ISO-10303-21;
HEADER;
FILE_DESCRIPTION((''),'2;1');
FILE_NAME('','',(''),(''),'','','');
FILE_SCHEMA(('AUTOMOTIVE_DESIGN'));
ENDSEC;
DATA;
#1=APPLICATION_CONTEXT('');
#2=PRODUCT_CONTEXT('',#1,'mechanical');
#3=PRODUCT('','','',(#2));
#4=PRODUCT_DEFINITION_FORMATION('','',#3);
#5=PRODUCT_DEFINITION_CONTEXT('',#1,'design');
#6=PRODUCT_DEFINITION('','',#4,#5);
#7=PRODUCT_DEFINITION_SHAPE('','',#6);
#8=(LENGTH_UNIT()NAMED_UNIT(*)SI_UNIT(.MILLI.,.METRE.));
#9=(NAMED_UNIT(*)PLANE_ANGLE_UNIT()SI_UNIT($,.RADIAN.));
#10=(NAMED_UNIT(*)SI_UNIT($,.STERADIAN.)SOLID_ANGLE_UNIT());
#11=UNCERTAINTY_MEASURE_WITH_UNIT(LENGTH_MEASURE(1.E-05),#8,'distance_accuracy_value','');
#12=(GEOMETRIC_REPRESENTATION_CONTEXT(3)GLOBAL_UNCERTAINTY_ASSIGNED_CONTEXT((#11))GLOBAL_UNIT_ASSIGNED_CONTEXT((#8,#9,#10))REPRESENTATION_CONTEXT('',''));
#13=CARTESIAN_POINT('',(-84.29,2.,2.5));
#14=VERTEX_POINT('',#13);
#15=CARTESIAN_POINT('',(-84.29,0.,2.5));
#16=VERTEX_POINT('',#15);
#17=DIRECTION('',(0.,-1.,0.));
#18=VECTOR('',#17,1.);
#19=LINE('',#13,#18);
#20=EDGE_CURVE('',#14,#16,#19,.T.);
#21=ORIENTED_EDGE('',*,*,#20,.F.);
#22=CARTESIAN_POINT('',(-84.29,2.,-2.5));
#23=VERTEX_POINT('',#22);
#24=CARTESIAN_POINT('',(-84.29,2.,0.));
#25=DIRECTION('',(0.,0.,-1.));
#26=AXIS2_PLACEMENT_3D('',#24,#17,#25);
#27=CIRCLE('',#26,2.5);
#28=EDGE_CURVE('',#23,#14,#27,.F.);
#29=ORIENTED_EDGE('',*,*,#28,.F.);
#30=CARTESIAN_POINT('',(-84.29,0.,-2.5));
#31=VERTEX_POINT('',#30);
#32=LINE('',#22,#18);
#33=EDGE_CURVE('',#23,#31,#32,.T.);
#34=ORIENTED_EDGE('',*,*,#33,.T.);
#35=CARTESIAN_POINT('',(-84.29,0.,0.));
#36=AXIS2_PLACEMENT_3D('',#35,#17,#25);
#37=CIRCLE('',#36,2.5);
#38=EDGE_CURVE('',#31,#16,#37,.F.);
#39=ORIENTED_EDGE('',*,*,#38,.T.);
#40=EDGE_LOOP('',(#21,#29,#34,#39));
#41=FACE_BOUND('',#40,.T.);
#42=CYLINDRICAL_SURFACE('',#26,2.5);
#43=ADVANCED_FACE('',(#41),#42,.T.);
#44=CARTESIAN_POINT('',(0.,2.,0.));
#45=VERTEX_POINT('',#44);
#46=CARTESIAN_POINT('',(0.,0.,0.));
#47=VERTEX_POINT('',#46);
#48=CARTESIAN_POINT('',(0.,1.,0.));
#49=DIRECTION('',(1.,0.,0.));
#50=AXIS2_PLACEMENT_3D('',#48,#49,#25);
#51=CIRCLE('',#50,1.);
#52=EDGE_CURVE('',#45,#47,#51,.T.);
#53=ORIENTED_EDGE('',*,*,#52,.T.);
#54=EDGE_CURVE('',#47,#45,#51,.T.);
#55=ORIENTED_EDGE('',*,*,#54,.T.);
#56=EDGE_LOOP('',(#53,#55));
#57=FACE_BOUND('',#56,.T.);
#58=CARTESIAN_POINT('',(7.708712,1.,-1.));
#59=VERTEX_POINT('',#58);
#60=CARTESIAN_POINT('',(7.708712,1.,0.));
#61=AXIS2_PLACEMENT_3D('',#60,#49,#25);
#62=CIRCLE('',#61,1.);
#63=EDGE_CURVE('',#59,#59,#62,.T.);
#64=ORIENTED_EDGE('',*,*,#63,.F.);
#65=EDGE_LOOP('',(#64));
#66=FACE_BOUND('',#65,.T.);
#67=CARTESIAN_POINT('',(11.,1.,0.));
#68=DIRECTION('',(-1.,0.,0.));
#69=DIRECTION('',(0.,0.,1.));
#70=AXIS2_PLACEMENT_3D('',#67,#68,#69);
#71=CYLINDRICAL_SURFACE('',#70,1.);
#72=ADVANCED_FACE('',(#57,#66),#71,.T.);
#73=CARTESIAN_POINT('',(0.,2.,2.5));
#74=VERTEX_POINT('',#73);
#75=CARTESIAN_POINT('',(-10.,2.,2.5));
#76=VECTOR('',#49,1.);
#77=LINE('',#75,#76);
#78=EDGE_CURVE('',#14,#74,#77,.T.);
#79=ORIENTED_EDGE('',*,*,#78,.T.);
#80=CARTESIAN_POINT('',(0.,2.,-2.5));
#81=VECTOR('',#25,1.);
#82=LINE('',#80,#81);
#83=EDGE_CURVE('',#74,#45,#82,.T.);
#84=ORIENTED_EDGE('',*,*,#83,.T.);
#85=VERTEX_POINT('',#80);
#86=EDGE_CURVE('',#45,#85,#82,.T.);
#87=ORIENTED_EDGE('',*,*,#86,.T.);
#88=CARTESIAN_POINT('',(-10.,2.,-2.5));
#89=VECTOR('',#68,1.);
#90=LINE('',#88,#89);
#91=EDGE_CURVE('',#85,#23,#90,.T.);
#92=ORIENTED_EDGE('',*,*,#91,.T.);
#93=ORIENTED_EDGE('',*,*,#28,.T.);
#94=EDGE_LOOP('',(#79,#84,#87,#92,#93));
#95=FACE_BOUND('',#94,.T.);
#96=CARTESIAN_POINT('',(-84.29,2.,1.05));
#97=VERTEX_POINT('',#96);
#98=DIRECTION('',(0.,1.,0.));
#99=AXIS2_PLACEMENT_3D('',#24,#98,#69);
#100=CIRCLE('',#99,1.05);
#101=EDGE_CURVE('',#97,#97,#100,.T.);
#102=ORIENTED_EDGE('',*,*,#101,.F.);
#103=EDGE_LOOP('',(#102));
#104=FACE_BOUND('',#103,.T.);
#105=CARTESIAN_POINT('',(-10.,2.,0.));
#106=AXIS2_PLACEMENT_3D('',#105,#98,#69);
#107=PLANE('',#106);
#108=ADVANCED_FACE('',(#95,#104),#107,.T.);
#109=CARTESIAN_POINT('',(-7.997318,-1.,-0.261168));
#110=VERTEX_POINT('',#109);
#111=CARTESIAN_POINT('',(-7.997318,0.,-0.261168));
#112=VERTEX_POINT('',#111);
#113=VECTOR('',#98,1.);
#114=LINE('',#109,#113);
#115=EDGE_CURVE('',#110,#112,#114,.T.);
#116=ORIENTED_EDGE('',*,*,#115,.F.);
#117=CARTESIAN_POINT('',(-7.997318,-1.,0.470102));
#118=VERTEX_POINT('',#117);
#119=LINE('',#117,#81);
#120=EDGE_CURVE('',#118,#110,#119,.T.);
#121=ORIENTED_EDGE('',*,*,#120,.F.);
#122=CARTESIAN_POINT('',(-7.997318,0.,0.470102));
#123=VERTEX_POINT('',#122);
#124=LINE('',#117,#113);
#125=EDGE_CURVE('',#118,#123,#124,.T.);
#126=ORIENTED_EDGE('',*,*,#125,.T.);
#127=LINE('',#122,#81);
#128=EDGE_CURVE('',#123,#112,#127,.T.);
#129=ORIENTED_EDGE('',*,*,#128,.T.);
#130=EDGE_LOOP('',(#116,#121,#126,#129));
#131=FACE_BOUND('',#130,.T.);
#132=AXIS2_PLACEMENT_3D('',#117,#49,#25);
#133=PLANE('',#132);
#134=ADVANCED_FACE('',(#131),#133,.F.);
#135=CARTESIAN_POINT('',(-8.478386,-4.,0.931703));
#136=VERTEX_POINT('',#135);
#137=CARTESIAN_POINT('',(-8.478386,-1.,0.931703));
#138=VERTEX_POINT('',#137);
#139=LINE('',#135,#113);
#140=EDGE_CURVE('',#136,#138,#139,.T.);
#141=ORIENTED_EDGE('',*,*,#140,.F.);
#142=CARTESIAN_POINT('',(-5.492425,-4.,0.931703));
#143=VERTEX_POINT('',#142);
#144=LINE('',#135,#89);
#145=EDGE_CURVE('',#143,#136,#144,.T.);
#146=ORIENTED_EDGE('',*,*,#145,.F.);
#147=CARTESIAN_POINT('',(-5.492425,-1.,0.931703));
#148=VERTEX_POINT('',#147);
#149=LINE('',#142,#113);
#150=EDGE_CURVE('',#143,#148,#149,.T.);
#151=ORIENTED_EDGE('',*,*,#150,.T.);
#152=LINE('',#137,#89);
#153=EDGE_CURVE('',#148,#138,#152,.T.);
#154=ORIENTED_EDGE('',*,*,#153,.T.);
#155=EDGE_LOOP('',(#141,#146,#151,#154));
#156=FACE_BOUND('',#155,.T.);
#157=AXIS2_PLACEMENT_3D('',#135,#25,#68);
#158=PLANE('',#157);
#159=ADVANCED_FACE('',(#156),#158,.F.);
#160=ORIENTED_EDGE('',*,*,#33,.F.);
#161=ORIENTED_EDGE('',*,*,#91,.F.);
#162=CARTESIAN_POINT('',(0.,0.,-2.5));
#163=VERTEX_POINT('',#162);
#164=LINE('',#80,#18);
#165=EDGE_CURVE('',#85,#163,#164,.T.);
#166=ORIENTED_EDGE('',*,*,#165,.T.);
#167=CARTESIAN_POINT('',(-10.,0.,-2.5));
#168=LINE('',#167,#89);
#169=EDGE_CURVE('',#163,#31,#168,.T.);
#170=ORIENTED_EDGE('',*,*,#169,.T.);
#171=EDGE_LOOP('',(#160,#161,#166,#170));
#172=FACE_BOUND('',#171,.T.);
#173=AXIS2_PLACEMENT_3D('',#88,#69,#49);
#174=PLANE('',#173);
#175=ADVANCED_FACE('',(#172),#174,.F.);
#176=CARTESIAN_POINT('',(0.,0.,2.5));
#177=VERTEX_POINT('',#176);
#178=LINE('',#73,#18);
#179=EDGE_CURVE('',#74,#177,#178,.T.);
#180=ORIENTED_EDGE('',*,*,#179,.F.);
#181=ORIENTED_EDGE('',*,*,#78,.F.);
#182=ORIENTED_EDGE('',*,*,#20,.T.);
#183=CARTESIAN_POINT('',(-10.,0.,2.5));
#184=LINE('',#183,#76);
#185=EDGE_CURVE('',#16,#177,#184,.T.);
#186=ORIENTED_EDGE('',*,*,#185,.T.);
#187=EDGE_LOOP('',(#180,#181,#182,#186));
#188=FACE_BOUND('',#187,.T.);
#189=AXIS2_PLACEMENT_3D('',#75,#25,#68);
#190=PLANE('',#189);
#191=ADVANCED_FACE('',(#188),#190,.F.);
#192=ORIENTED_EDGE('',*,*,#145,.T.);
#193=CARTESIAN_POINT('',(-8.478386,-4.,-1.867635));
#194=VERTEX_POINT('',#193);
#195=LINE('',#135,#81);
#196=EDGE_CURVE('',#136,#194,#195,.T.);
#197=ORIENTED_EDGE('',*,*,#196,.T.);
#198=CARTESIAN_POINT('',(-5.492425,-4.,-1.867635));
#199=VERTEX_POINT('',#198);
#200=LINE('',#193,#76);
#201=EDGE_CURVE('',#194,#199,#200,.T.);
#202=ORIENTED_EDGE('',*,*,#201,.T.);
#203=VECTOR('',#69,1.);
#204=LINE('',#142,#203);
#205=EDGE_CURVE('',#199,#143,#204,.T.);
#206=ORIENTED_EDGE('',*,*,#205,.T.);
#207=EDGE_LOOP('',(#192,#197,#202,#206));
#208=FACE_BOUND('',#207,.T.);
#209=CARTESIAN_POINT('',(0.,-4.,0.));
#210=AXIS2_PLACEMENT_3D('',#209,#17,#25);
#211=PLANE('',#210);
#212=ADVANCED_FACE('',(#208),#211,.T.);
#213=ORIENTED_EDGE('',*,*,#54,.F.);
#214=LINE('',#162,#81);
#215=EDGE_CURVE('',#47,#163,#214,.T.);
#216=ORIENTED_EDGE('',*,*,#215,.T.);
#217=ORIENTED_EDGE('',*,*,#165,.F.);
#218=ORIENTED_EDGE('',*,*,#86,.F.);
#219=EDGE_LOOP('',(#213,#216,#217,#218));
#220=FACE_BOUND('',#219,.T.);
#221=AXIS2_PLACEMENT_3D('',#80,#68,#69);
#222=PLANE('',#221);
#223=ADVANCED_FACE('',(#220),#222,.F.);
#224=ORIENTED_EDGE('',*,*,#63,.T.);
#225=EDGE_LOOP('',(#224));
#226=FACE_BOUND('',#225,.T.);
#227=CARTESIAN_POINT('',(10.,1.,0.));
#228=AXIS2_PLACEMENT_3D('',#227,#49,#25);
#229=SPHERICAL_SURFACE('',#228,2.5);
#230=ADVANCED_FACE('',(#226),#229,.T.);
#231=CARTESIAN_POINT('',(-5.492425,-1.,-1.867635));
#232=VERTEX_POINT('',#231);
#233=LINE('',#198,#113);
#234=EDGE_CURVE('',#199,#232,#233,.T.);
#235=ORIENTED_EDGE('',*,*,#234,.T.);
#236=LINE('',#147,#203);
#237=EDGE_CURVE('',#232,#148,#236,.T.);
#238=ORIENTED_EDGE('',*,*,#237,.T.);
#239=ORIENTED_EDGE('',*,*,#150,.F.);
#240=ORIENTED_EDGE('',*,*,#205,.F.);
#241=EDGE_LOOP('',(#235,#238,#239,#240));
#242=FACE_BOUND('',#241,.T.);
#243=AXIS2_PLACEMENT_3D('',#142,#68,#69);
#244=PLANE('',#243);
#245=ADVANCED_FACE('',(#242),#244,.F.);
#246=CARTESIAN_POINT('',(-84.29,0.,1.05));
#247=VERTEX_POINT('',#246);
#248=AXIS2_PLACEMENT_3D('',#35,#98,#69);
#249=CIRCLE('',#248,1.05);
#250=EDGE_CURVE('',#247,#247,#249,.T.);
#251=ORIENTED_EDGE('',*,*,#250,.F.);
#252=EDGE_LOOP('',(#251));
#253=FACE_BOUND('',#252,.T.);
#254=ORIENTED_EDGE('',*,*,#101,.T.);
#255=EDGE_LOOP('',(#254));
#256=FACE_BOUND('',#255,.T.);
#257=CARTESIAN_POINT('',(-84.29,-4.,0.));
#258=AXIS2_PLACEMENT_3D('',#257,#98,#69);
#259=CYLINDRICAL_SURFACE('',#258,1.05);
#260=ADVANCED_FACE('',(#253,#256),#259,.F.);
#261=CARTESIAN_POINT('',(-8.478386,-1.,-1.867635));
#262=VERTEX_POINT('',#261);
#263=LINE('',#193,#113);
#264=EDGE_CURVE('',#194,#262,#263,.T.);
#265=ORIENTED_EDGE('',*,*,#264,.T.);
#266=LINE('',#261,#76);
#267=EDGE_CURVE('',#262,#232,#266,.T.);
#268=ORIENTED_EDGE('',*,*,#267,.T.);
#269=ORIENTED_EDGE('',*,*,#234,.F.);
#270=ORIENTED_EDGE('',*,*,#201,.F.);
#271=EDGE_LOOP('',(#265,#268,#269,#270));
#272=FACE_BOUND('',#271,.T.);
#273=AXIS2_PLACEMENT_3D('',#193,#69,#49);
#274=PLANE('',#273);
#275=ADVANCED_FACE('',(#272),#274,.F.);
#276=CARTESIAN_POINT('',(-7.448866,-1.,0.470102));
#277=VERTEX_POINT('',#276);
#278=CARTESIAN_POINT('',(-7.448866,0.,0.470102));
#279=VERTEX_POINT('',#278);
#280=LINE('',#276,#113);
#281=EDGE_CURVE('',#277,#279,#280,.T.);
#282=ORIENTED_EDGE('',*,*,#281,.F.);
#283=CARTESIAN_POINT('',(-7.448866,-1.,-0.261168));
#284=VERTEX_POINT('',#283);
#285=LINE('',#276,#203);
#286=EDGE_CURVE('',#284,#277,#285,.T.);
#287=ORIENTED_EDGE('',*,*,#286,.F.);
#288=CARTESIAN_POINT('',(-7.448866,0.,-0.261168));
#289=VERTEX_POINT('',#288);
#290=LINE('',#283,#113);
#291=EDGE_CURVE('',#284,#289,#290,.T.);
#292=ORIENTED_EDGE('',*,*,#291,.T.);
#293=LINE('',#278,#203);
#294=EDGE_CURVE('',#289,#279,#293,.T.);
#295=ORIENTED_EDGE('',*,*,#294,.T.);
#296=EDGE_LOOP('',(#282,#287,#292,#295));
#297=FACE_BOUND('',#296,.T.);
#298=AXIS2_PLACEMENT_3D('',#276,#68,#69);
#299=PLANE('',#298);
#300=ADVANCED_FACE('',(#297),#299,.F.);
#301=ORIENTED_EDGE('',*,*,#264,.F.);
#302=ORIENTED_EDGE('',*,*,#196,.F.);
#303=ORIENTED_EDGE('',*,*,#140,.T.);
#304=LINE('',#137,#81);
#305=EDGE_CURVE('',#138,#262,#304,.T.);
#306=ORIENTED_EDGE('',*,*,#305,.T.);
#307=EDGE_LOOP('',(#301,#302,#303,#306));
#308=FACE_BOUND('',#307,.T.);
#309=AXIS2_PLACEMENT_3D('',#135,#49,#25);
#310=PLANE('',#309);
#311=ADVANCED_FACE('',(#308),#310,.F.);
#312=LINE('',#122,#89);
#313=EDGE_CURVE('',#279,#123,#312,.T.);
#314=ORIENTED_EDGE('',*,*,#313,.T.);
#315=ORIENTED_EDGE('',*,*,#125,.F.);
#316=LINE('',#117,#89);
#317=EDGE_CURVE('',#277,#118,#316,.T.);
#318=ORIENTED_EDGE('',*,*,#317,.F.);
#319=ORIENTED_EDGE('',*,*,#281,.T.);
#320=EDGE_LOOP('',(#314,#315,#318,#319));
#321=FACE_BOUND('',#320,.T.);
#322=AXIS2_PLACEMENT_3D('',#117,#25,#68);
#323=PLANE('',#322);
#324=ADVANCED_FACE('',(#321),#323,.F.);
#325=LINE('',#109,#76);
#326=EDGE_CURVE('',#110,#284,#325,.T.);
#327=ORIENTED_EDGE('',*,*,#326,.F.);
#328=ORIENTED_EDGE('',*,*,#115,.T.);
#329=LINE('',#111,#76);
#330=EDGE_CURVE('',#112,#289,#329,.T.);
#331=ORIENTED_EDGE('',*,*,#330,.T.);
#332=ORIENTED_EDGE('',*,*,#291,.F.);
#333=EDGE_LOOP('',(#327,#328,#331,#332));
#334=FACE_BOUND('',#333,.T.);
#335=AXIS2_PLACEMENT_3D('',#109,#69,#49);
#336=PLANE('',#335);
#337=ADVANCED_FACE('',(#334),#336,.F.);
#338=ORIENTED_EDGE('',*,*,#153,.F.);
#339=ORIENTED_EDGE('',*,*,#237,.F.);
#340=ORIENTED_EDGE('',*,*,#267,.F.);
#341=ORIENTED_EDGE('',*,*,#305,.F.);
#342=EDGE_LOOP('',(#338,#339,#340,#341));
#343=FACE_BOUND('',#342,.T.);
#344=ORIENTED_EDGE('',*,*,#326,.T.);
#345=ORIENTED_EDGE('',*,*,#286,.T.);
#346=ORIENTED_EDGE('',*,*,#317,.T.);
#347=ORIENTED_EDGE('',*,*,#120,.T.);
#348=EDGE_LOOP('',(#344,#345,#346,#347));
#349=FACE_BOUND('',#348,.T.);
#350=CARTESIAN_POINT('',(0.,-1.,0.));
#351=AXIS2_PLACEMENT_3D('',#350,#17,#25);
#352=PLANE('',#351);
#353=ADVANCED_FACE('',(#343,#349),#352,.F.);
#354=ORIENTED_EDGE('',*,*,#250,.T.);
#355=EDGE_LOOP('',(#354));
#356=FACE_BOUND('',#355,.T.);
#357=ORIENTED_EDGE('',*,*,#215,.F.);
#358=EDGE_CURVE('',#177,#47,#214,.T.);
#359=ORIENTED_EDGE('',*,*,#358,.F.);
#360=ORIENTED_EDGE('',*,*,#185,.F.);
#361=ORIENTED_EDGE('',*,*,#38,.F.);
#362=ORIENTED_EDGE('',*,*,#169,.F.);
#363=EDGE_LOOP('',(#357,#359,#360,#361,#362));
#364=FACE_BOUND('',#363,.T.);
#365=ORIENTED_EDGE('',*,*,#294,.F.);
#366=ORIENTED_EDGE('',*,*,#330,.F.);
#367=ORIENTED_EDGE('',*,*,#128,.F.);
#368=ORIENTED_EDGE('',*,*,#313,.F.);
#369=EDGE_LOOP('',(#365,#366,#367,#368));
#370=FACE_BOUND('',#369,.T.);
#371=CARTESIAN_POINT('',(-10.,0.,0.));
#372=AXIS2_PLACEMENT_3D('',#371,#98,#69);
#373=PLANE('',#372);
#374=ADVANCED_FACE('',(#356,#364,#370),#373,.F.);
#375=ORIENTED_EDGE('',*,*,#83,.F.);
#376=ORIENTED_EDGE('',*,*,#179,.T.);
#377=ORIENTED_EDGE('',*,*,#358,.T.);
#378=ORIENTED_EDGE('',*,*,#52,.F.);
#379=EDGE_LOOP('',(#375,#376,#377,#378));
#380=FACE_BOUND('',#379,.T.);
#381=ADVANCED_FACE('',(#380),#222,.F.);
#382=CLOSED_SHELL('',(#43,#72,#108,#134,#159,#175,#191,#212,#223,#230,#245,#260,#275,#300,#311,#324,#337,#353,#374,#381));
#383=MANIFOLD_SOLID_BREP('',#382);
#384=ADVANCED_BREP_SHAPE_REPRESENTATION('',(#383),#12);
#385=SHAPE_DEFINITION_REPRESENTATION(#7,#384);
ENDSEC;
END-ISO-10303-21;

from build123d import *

# Parameters (mm, degrees)
SKETCH1_R               = 1
BOSS_EXTRUDE1_DEPTH     = 2
SKETCH4_R               = 1
BOSS_EXTRUDE2_DEPTH     = 11
SKETCH11_W              = 0.548452347
SKETCH11_H              = 0.731269796
BOSS_EXTRUDE3_DEPTH     = 1
SKETCH12_W              = 2.985960681
SKETCH12_H              = 2.799338139
BOSS_EXTRUDE4_DEPTH     = 3
SKETCH15_W              = 5
SKETCH15_H              = 2
BOSS_EXTRUDE5_DEPTH     = 86.79
CUT_EXTRUDE4_DEPTH      = 87.918088451
CUT_EXTRUDE4_DEPTH_BACK = 87.918088451
CUT_EXTRUDE5_DEPTH      = 88.033063258
CUT_EXTRUDE5_DEPTH_BACK = 88.033063258
SKETCH19_R              = 1.05
CUT_EXTRUDE7_DEPTH      = 87.918088451
CUT_EXTRUDE7_DEPTH_BACK = 87.918088451


with BuildPart() as part:
    # Sketch1 → Boss-Extrude1 (new body)
    with BuildSketch(Plane(origin=(0, 0, 0), x_dir=(1, 0, 0), z_dir=(0, 1, 0))):
        with BuildLine():
            Line((-10, 2.5), (0, 2.5))
            Line((0, 2.5), (0, -2.5))
            Line((0, -2.5), (-10, -2.5))
            ThreePointArc((-10, -2.5), (-12.5, 0), (-10, 2.5))
        make_face()
        with Locations((-10, 0)):
            Circle(SKETCH1_R, mode=Mode.SUBTRACT)
    extrude(amount=BOSS_EXTRUDE1_DEPTH)

    # Sketch4 → Boss-Extrude2 (add)
    with BuildSketch(Plane(origin=(0, 0, 0), x_dir=(0, 0, -1), z_dir=(1, 0, 0))):
        with Locations((0, 1)):
            Circle(SKETCH4_R)
    extrude(amount=BOSS_EXTRUDE2_DEPTH)

    # Sketch11 → Boss-Extrude3 (add)
    with BuildSketch(Plane.XZ):
        with Locations((-7.723091918, 0.104467114)):
            Rectangle(SKETCH11_W, SKETCH11_H)
    extrude(amount=BOSS_EXTRUDE3_DEPTH)

    # Sketch12 → Boss-Extrude4 (add)
    with BuildSketch(Plane.XZ.offset(1)):
        with Locations((-6.985405351, -0.467965971)):
            Rectangle(SKETCH12_W, SKETCH12_H)
    extrude(amount=BOSS_EXTRUDE4_DEPTH)

    # Sketch15 → Boss-Extrude5 (add)
    with BuildSketch(Plane(origin=(0, 0, 0), x_dir=(0, 0, -1), z_dir=(1, 0, 0))):
        with Locations((0, 1)):
            Rectangle(SKETCH15_W, SKETCH15_H)
    extrude(amount=-BOSS_EXTRUDE5_DEPTH)

    # Sketch16 → Cut-Extrude4 (cut, two sides: drawn at the far end of the back side and taken through both)
    with BuildSketch(Plane.XZ.offset(-CUT_EXTRUDE4_DEPTH_BACK)):
        with BuildLine():
            ThreePointArc((-84.29, -2.5), (-86.057766953, -1.767766953), (-86.79, 0))
            Line((-86.79, 0), (-86.79, -2.5))
            Line((-86.79, -2.5), (-84.29, -2.5))
        make_face()
    extrude(amount=CUT_EXTRUDE4_DEPTH + CUT_EXTRUDE4_DEPTH_BACK, mode=Mode.SUBTRACT)

    # Sketch19 → Cut-Extrude5 (cut, two sides: drawn at the far end of the back side and taken through both)
    with BuildSketch(Plane(origin=(0, 2, 0), x_dir=(1, 0, 0), z_dir=(0, 1, 0)).offset(-CUT_EXTRUDE5_DEPTH_BACK)):
        with Locations((-84.29, 0)):
            Circle(SKETCH19_R)
    extrude(amount=CUT_EXTRUDE5_DEPTH + CUT_EXTRUDE5_DEPTH_BACK, mode=Mode.SUBTRACT)

    # Sketch16<4> → Cut-Extrude7 (cut, two sides: drawn at the far end of the back side and taken through both)
    with BuildSketch(Plane.XZ.offset(-CUT_EXTRUDE7_DEPTH_BACK)):
        with BuildLine():
            Line((-86.79, 2.5), (-86.79, 0))
            ThreePointArc((-86.79, 0), (-86.057766953, 1.767766953), (-84.29, 2.5))
            Line((-84.29, 2.5), (-86.79, 2.5))
        make_face()
    extrude(amount=CUT_EXTRUDE7_DEPTH + CUT_EXTRUDE7_DEPTH_BACK, mode=Mode.SUBTRACT)

    # Sketch22 → Revolve2 (revolve)
    with BuildSketch(Plane(origin=(0, 1, 0), x_dir=(-1, 0, 0), z_dir=(0, -1, 0))):
        with BuildLine():
            Line((-7.5, 0), (-12.5, 0))
            ThreePointArc((-12.5, 0), (-10, -2.5), (-7.5, 0))
        make_face()
    revolve(axis=Axis((12.5, 1, 0), (-1, 0, 0)))


solid = part.part
